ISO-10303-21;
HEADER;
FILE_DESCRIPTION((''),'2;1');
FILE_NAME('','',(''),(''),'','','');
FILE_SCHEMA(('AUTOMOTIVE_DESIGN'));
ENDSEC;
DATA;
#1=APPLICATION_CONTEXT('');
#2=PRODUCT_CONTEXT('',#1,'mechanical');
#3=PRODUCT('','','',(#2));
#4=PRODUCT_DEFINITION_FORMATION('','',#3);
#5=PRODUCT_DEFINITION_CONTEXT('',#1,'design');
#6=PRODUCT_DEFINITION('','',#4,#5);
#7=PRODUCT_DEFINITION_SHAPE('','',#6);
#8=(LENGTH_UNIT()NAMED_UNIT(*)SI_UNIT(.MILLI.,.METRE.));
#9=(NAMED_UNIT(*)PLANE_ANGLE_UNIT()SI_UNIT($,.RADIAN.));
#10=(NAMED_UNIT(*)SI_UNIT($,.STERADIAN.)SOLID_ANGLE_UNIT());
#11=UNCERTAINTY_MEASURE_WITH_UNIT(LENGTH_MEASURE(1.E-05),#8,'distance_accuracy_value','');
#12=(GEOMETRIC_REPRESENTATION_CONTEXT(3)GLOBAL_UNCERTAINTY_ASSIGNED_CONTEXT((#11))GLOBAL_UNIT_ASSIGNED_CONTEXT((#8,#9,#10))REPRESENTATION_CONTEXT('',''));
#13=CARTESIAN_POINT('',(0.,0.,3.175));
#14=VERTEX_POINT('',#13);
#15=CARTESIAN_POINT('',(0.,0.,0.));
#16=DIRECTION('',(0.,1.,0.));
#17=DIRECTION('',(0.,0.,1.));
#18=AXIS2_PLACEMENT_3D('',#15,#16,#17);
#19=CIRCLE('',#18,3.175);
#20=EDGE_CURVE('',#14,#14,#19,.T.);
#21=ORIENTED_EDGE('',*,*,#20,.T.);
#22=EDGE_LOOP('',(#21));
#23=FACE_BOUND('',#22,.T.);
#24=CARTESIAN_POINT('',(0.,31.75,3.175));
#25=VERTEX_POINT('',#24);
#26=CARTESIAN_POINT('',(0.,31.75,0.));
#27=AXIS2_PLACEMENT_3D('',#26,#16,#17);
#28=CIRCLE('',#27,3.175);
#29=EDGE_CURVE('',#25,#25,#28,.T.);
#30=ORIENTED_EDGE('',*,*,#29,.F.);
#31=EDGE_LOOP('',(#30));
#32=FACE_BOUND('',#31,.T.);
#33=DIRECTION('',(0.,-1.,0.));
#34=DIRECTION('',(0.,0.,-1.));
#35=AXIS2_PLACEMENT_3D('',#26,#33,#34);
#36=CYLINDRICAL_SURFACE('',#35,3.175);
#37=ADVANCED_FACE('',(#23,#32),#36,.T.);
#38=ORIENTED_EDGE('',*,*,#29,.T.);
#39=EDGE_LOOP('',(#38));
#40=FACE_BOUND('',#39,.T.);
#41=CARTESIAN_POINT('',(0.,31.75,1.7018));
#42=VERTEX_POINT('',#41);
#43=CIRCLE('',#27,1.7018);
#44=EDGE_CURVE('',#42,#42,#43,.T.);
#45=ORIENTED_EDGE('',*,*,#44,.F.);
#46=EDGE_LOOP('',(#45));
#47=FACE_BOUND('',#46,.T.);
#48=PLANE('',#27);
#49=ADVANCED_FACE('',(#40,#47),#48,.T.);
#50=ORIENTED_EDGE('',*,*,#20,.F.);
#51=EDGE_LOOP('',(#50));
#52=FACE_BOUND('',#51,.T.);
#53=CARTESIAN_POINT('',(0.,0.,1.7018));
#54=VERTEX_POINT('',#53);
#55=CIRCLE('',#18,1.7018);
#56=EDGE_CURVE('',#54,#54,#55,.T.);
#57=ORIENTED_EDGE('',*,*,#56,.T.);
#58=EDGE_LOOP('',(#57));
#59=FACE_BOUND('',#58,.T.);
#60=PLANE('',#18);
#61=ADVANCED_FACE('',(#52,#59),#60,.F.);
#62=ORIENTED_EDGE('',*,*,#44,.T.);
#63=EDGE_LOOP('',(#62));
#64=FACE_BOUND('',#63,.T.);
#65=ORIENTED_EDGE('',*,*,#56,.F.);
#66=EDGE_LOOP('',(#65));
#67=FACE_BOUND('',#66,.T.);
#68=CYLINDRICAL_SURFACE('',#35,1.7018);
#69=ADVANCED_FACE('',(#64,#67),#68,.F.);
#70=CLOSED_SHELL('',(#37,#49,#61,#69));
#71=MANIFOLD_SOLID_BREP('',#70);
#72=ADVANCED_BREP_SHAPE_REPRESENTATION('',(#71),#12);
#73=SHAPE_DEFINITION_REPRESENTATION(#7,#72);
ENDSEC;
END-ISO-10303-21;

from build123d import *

# Parameters (mm, degrees)
SKETCH1_R      = 3.175
SKETCH1_R_2    = 1.7018
EXTRUDE1_DEPTH = 31.75


with BuildPart() as part:
    # Sketch1 → Extrude1 (new body)
    with BuildSketch(Plane(origin=(0, 0, 0), x_dir=(1, 0, 0), z_dir=(0, 1, 0))):
        Circle(SKETCH1_R)
        Circle(SKETCH1_R_2, mode=Mode.SUBTRACT)
    extrude(amount=EXTRUDE1_DEPTH)


solid = part.part
